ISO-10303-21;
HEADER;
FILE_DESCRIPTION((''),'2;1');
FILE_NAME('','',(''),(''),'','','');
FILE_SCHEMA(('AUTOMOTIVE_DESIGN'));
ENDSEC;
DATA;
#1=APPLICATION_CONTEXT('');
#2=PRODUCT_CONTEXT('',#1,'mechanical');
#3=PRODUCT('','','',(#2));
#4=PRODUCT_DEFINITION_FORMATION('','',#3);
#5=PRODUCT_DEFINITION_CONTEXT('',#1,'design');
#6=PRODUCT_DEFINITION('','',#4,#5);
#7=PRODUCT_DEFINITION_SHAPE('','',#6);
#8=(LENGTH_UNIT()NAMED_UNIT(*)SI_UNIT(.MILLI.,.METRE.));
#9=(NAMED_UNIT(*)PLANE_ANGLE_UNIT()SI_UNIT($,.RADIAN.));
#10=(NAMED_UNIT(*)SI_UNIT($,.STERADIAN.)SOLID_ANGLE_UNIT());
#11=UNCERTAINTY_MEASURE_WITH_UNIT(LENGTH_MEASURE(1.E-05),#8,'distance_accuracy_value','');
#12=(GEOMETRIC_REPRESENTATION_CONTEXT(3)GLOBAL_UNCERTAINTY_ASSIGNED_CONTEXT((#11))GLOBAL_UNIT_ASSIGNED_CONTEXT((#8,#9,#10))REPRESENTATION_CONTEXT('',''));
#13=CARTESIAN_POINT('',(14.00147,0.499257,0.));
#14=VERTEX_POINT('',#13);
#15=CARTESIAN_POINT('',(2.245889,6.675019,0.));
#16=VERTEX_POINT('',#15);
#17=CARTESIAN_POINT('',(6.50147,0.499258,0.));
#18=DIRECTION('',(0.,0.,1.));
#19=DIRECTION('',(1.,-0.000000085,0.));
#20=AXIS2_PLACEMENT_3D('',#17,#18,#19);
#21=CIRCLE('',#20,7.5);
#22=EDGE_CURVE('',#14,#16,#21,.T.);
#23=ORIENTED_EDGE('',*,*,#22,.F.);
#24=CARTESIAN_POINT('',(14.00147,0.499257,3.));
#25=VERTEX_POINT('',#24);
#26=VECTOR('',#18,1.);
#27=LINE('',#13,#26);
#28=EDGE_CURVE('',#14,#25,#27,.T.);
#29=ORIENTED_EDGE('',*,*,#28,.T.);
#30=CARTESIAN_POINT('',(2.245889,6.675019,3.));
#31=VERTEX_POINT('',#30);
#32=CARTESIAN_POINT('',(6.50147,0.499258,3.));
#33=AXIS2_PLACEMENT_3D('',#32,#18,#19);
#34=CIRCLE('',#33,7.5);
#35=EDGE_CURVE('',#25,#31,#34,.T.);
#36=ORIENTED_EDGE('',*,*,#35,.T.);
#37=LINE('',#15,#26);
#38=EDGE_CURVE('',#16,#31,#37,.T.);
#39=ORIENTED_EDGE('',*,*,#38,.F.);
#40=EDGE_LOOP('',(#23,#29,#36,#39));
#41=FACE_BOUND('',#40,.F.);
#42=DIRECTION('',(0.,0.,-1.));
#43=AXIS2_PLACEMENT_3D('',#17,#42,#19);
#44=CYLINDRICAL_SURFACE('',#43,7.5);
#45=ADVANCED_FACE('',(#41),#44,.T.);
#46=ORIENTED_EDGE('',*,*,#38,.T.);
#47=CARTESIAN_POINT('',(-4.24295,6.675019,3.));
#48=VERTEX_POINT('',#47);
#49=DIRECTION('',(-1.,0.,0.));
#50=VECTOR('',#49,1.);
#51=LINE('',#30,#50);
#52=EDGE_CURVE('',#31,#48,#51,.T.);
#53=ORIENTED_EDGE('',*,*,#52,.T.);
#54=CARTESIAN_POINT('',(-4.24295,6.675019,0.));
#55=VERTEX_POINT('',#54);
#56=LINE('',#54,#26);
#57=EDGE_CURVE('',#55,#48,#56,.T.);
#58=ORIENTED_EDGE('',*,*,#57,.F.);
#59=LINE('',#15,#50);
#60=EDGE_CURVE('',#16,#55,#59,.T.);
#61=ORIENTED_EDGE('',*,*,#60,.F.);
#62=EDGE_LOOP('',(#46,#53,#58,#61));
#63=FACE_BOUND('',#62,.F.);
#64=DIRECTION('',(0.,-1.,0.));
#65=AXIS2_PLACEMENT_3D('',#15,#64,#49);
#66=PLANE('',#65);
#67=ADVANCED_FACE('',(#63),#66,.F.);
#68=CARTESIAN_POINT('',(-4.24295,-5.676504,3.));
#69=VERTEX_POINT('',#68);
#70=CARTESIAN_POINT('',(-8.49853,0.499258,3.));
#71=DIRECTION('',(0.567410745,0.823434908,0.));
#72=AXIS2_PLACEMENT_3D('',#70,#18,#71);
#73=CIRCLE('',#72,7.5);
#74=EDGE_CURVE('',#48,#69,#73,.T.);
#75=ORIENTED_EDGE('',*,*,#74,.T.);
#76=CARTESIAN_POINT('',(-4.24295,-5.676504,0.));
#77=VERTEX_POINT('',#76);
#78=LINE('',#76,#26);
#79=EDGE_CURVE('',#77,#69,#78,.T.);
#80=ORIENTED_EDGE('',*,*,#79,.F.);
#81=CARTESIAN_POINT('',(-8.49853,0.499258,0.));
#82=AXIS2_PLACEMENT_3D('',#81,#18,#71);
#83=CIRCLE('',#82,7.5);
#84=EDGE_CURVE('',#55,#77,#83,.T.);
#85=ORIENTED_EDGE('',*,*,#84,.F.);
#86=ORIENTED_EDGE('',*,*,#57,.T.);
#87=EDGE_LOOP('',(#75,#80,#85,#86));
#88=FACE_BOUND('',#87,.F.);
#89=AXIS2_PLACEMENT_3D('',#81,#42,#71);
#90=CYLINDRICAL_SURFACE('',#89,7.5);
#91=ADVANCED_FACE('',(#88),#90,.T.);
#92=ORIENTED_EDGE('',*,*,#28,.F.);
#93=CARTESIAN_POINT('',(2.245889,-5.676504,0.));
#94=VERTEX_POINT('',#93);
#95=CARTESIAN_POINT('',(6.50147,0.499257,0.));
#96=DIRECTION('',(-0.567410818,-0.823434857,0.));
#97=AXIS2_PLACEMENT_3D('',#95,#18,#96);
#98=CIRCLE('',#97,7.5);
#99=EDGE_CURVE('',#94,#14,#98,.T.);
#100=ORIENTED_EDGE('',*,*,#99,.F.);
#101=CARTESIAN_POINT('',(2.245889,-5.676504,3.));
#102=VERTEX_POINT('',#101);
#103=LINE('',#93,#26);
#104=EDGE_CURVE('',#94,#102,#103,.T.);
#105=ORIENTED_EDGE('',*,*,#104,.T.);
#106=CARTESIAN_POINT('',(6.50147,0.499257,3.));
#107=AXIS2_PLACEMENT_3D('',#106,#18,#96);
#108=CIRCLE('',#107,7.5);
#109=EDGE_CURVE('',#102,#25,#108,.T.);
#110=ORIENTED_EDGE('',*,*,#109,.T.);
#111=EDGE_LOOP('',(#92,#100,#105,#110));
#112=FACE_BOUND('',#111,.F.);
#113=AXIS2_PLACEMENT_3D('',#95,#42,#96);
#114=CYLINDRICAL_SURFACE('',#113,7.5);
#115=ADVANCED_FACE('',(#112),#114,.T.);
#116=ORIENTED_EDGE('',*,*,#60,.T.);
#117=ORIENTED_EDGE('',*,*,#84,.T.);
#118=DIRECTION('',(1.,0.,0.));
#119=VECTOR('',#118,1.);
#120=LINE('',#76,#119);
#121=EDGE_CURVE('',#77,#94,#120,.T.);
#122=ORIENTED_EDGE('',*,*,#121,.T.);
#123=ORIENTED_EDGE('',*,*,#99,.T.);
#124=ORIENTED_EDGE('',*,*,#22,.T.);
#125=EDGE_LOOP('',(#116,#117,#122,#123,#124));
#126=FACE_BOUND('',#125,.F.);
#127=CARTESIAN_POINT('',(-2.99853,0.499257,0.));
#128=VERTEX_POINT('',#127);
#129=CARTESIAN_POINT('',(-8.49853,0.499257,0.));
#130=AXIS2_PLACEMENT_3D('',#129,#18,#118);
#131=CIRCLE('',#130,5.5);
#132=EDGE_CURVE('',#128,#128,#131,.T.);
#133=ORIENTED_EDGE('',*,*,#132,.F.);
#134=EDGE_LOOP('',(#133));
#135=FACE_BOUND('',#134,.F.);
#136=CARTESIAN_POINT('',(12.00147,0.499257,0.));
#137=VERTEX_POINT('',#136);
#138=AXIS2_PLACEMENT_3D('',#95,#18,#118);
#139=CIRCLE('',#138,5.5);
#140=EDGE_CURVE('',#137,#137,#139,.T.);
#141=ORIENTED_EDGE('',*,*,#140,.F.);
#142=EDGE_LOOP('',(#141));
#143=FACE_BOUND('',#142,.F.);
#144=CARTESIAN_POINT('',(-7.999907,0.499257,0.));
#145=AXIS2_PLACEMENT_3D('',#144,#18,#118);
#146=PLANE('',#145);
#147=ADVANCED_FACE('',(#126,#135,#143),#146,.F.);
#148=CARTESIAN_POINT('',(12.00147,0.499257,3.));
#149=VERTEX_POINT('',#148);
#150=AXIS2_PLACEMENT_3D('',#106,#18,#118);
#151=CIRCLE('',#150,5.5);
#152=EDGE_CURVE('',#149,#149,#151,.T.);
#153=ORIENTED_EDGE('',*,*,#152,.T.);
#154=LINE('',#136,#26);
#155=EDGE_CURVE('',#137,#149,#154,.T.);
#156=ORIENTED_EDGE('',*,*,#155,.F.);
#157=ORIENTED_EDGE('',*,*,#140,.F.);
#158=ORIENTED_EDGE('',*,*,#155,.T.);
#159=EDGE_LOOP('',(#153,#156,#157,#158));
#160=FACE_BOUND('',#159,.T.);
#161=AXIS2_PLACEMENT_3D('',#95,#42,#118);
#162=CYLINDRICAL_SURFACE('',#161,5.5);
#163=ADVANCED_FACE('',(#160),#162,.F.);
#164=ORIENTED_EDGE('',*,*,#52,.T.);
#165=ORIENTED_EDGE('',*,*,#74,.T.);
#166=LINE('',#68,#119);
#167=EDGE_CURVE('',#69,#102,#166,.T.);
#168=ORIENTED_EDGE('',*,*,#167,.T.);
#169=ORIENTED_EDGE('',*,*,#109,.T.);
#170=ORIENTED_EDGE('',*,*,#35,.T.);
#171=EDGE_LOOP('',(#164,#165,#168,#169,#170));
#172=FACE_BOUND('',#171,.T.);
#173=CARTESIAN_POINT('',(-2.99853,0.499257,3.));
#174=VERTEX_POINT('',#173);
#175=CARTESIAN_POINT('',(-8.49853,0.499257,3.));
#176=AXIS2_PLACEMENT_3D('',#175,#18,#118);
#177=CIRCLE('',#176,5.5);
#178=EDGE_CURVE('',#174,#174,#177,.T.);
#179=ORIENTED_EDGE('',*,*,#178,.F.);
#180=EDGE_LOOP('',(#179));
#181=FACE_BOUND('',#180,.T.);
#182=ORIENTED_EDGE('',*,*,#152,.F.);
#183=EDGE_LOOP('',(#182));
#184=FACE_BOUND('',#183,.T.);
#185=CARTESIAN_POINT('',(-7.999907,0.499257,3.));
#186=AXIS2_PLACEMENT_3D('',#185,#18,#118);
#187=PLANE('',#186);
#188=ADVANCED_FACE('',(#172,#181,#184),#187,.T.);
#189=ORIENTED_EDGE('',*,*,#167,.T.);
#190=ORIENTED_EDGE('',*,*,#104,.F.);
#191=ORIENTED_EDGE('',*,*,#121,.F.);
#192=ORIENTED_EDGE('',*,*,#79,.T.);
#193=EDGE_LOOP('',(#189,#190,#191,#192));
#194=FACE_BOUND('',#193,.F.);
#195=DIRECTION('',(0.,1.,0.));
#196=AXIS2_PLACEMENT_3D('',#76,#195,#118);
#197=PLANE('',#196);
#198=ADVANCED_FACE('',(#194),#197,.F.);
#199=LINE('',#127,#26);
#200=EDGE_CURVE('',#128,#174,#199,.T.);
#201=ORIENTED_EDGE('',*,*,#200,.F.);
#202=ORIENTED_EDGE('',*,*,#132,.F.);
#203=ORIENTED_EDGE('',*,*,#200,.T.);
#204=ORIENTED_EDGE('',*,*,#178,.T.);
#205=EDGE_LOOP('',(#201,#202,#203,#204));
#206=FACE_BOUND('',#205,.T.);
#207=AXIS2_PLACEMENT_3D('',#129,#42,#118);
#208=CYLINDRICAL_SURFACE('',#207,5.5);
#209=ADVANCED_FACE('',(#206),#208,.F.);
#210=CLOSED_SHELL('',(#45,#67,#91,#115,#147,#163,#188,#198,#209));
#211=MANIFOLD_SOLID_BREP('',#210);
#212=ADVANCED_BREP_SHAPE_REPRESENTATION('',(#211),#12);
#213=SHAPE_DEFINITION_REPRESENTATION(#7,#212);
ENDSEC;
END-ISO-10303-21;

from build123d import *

# Parameters (mm, degrees)
F0_R     = 5.5
F1_DEPTH = 3


with BuildPart() as f1:
    # F0 (on Top) → F1 (new body)
    with BuildSketch(Plane.XY):
        with BuildLine():
            ThreePointArc((-0.99853, 0.499257), (-1.858995, 3.987319), (-4.24295, 6.675019))
            ThreePointArc((-4.24295, 6.675019), (-15.99853, 0.499257), (-4.24295, -5.676504))
            ThreePointArc((-4.24295, -5.676504), (-1.858995, -2.988804), (-0.99853, 0.499257))
        make_face()
        with Locations((-8.49853, 0.499257)):
            Circle(F0_R, mode=Mode.SUBTRACT)
        with BuildLine():
            Line((2.245889, 6.675019), (-4.24295, 6.675019))
            ThreePointArc((-4.24295, 6.675019), (-1.858995, 3.987319), (-0.99853, 0.499257))
            ThreePointArc((-0.99853, 0.499257), (-0.138066, 3.987319), (2.245889, 6.675019))
        make_face()
        with BuildLine():
            ThreePointArc((2.245889, -5.676504), (-0.138066, -2.988804), (-0.99853, 0.499257))
            ThreePointArc((-0.99853, 0.499257), (-1.858995, -2.988804), (-4.24295, -5.676504))
            Line((-4.24295, -5.676504), (2.245889, -5.676504))
        make_face()
        with BuildLine():
            ThreePointArc((14.00147, 0.499257), (9.989531, 7.138793), (2.245889, 6.675019))
            ThreePointArc((2.245889, 6.675019), (-0.138066, 3.987319), (-0.99853, 0.499257))
            ThreePointArc((-0.99853, 0.499257), (-0.138066, -2.988804), (2.245889, -5.676504))
            ThreePointArc((2.245889, -5.676504), (9.989531, -6.140278), (14.00147, 0.499257))
        make_face()
        with Locations((6.50147, 0.499257)):
            Circle(F0_R, mode=Mode.SUBTRACT)
    extrude(amount=F1_DEPTH)


solid = f1.part
